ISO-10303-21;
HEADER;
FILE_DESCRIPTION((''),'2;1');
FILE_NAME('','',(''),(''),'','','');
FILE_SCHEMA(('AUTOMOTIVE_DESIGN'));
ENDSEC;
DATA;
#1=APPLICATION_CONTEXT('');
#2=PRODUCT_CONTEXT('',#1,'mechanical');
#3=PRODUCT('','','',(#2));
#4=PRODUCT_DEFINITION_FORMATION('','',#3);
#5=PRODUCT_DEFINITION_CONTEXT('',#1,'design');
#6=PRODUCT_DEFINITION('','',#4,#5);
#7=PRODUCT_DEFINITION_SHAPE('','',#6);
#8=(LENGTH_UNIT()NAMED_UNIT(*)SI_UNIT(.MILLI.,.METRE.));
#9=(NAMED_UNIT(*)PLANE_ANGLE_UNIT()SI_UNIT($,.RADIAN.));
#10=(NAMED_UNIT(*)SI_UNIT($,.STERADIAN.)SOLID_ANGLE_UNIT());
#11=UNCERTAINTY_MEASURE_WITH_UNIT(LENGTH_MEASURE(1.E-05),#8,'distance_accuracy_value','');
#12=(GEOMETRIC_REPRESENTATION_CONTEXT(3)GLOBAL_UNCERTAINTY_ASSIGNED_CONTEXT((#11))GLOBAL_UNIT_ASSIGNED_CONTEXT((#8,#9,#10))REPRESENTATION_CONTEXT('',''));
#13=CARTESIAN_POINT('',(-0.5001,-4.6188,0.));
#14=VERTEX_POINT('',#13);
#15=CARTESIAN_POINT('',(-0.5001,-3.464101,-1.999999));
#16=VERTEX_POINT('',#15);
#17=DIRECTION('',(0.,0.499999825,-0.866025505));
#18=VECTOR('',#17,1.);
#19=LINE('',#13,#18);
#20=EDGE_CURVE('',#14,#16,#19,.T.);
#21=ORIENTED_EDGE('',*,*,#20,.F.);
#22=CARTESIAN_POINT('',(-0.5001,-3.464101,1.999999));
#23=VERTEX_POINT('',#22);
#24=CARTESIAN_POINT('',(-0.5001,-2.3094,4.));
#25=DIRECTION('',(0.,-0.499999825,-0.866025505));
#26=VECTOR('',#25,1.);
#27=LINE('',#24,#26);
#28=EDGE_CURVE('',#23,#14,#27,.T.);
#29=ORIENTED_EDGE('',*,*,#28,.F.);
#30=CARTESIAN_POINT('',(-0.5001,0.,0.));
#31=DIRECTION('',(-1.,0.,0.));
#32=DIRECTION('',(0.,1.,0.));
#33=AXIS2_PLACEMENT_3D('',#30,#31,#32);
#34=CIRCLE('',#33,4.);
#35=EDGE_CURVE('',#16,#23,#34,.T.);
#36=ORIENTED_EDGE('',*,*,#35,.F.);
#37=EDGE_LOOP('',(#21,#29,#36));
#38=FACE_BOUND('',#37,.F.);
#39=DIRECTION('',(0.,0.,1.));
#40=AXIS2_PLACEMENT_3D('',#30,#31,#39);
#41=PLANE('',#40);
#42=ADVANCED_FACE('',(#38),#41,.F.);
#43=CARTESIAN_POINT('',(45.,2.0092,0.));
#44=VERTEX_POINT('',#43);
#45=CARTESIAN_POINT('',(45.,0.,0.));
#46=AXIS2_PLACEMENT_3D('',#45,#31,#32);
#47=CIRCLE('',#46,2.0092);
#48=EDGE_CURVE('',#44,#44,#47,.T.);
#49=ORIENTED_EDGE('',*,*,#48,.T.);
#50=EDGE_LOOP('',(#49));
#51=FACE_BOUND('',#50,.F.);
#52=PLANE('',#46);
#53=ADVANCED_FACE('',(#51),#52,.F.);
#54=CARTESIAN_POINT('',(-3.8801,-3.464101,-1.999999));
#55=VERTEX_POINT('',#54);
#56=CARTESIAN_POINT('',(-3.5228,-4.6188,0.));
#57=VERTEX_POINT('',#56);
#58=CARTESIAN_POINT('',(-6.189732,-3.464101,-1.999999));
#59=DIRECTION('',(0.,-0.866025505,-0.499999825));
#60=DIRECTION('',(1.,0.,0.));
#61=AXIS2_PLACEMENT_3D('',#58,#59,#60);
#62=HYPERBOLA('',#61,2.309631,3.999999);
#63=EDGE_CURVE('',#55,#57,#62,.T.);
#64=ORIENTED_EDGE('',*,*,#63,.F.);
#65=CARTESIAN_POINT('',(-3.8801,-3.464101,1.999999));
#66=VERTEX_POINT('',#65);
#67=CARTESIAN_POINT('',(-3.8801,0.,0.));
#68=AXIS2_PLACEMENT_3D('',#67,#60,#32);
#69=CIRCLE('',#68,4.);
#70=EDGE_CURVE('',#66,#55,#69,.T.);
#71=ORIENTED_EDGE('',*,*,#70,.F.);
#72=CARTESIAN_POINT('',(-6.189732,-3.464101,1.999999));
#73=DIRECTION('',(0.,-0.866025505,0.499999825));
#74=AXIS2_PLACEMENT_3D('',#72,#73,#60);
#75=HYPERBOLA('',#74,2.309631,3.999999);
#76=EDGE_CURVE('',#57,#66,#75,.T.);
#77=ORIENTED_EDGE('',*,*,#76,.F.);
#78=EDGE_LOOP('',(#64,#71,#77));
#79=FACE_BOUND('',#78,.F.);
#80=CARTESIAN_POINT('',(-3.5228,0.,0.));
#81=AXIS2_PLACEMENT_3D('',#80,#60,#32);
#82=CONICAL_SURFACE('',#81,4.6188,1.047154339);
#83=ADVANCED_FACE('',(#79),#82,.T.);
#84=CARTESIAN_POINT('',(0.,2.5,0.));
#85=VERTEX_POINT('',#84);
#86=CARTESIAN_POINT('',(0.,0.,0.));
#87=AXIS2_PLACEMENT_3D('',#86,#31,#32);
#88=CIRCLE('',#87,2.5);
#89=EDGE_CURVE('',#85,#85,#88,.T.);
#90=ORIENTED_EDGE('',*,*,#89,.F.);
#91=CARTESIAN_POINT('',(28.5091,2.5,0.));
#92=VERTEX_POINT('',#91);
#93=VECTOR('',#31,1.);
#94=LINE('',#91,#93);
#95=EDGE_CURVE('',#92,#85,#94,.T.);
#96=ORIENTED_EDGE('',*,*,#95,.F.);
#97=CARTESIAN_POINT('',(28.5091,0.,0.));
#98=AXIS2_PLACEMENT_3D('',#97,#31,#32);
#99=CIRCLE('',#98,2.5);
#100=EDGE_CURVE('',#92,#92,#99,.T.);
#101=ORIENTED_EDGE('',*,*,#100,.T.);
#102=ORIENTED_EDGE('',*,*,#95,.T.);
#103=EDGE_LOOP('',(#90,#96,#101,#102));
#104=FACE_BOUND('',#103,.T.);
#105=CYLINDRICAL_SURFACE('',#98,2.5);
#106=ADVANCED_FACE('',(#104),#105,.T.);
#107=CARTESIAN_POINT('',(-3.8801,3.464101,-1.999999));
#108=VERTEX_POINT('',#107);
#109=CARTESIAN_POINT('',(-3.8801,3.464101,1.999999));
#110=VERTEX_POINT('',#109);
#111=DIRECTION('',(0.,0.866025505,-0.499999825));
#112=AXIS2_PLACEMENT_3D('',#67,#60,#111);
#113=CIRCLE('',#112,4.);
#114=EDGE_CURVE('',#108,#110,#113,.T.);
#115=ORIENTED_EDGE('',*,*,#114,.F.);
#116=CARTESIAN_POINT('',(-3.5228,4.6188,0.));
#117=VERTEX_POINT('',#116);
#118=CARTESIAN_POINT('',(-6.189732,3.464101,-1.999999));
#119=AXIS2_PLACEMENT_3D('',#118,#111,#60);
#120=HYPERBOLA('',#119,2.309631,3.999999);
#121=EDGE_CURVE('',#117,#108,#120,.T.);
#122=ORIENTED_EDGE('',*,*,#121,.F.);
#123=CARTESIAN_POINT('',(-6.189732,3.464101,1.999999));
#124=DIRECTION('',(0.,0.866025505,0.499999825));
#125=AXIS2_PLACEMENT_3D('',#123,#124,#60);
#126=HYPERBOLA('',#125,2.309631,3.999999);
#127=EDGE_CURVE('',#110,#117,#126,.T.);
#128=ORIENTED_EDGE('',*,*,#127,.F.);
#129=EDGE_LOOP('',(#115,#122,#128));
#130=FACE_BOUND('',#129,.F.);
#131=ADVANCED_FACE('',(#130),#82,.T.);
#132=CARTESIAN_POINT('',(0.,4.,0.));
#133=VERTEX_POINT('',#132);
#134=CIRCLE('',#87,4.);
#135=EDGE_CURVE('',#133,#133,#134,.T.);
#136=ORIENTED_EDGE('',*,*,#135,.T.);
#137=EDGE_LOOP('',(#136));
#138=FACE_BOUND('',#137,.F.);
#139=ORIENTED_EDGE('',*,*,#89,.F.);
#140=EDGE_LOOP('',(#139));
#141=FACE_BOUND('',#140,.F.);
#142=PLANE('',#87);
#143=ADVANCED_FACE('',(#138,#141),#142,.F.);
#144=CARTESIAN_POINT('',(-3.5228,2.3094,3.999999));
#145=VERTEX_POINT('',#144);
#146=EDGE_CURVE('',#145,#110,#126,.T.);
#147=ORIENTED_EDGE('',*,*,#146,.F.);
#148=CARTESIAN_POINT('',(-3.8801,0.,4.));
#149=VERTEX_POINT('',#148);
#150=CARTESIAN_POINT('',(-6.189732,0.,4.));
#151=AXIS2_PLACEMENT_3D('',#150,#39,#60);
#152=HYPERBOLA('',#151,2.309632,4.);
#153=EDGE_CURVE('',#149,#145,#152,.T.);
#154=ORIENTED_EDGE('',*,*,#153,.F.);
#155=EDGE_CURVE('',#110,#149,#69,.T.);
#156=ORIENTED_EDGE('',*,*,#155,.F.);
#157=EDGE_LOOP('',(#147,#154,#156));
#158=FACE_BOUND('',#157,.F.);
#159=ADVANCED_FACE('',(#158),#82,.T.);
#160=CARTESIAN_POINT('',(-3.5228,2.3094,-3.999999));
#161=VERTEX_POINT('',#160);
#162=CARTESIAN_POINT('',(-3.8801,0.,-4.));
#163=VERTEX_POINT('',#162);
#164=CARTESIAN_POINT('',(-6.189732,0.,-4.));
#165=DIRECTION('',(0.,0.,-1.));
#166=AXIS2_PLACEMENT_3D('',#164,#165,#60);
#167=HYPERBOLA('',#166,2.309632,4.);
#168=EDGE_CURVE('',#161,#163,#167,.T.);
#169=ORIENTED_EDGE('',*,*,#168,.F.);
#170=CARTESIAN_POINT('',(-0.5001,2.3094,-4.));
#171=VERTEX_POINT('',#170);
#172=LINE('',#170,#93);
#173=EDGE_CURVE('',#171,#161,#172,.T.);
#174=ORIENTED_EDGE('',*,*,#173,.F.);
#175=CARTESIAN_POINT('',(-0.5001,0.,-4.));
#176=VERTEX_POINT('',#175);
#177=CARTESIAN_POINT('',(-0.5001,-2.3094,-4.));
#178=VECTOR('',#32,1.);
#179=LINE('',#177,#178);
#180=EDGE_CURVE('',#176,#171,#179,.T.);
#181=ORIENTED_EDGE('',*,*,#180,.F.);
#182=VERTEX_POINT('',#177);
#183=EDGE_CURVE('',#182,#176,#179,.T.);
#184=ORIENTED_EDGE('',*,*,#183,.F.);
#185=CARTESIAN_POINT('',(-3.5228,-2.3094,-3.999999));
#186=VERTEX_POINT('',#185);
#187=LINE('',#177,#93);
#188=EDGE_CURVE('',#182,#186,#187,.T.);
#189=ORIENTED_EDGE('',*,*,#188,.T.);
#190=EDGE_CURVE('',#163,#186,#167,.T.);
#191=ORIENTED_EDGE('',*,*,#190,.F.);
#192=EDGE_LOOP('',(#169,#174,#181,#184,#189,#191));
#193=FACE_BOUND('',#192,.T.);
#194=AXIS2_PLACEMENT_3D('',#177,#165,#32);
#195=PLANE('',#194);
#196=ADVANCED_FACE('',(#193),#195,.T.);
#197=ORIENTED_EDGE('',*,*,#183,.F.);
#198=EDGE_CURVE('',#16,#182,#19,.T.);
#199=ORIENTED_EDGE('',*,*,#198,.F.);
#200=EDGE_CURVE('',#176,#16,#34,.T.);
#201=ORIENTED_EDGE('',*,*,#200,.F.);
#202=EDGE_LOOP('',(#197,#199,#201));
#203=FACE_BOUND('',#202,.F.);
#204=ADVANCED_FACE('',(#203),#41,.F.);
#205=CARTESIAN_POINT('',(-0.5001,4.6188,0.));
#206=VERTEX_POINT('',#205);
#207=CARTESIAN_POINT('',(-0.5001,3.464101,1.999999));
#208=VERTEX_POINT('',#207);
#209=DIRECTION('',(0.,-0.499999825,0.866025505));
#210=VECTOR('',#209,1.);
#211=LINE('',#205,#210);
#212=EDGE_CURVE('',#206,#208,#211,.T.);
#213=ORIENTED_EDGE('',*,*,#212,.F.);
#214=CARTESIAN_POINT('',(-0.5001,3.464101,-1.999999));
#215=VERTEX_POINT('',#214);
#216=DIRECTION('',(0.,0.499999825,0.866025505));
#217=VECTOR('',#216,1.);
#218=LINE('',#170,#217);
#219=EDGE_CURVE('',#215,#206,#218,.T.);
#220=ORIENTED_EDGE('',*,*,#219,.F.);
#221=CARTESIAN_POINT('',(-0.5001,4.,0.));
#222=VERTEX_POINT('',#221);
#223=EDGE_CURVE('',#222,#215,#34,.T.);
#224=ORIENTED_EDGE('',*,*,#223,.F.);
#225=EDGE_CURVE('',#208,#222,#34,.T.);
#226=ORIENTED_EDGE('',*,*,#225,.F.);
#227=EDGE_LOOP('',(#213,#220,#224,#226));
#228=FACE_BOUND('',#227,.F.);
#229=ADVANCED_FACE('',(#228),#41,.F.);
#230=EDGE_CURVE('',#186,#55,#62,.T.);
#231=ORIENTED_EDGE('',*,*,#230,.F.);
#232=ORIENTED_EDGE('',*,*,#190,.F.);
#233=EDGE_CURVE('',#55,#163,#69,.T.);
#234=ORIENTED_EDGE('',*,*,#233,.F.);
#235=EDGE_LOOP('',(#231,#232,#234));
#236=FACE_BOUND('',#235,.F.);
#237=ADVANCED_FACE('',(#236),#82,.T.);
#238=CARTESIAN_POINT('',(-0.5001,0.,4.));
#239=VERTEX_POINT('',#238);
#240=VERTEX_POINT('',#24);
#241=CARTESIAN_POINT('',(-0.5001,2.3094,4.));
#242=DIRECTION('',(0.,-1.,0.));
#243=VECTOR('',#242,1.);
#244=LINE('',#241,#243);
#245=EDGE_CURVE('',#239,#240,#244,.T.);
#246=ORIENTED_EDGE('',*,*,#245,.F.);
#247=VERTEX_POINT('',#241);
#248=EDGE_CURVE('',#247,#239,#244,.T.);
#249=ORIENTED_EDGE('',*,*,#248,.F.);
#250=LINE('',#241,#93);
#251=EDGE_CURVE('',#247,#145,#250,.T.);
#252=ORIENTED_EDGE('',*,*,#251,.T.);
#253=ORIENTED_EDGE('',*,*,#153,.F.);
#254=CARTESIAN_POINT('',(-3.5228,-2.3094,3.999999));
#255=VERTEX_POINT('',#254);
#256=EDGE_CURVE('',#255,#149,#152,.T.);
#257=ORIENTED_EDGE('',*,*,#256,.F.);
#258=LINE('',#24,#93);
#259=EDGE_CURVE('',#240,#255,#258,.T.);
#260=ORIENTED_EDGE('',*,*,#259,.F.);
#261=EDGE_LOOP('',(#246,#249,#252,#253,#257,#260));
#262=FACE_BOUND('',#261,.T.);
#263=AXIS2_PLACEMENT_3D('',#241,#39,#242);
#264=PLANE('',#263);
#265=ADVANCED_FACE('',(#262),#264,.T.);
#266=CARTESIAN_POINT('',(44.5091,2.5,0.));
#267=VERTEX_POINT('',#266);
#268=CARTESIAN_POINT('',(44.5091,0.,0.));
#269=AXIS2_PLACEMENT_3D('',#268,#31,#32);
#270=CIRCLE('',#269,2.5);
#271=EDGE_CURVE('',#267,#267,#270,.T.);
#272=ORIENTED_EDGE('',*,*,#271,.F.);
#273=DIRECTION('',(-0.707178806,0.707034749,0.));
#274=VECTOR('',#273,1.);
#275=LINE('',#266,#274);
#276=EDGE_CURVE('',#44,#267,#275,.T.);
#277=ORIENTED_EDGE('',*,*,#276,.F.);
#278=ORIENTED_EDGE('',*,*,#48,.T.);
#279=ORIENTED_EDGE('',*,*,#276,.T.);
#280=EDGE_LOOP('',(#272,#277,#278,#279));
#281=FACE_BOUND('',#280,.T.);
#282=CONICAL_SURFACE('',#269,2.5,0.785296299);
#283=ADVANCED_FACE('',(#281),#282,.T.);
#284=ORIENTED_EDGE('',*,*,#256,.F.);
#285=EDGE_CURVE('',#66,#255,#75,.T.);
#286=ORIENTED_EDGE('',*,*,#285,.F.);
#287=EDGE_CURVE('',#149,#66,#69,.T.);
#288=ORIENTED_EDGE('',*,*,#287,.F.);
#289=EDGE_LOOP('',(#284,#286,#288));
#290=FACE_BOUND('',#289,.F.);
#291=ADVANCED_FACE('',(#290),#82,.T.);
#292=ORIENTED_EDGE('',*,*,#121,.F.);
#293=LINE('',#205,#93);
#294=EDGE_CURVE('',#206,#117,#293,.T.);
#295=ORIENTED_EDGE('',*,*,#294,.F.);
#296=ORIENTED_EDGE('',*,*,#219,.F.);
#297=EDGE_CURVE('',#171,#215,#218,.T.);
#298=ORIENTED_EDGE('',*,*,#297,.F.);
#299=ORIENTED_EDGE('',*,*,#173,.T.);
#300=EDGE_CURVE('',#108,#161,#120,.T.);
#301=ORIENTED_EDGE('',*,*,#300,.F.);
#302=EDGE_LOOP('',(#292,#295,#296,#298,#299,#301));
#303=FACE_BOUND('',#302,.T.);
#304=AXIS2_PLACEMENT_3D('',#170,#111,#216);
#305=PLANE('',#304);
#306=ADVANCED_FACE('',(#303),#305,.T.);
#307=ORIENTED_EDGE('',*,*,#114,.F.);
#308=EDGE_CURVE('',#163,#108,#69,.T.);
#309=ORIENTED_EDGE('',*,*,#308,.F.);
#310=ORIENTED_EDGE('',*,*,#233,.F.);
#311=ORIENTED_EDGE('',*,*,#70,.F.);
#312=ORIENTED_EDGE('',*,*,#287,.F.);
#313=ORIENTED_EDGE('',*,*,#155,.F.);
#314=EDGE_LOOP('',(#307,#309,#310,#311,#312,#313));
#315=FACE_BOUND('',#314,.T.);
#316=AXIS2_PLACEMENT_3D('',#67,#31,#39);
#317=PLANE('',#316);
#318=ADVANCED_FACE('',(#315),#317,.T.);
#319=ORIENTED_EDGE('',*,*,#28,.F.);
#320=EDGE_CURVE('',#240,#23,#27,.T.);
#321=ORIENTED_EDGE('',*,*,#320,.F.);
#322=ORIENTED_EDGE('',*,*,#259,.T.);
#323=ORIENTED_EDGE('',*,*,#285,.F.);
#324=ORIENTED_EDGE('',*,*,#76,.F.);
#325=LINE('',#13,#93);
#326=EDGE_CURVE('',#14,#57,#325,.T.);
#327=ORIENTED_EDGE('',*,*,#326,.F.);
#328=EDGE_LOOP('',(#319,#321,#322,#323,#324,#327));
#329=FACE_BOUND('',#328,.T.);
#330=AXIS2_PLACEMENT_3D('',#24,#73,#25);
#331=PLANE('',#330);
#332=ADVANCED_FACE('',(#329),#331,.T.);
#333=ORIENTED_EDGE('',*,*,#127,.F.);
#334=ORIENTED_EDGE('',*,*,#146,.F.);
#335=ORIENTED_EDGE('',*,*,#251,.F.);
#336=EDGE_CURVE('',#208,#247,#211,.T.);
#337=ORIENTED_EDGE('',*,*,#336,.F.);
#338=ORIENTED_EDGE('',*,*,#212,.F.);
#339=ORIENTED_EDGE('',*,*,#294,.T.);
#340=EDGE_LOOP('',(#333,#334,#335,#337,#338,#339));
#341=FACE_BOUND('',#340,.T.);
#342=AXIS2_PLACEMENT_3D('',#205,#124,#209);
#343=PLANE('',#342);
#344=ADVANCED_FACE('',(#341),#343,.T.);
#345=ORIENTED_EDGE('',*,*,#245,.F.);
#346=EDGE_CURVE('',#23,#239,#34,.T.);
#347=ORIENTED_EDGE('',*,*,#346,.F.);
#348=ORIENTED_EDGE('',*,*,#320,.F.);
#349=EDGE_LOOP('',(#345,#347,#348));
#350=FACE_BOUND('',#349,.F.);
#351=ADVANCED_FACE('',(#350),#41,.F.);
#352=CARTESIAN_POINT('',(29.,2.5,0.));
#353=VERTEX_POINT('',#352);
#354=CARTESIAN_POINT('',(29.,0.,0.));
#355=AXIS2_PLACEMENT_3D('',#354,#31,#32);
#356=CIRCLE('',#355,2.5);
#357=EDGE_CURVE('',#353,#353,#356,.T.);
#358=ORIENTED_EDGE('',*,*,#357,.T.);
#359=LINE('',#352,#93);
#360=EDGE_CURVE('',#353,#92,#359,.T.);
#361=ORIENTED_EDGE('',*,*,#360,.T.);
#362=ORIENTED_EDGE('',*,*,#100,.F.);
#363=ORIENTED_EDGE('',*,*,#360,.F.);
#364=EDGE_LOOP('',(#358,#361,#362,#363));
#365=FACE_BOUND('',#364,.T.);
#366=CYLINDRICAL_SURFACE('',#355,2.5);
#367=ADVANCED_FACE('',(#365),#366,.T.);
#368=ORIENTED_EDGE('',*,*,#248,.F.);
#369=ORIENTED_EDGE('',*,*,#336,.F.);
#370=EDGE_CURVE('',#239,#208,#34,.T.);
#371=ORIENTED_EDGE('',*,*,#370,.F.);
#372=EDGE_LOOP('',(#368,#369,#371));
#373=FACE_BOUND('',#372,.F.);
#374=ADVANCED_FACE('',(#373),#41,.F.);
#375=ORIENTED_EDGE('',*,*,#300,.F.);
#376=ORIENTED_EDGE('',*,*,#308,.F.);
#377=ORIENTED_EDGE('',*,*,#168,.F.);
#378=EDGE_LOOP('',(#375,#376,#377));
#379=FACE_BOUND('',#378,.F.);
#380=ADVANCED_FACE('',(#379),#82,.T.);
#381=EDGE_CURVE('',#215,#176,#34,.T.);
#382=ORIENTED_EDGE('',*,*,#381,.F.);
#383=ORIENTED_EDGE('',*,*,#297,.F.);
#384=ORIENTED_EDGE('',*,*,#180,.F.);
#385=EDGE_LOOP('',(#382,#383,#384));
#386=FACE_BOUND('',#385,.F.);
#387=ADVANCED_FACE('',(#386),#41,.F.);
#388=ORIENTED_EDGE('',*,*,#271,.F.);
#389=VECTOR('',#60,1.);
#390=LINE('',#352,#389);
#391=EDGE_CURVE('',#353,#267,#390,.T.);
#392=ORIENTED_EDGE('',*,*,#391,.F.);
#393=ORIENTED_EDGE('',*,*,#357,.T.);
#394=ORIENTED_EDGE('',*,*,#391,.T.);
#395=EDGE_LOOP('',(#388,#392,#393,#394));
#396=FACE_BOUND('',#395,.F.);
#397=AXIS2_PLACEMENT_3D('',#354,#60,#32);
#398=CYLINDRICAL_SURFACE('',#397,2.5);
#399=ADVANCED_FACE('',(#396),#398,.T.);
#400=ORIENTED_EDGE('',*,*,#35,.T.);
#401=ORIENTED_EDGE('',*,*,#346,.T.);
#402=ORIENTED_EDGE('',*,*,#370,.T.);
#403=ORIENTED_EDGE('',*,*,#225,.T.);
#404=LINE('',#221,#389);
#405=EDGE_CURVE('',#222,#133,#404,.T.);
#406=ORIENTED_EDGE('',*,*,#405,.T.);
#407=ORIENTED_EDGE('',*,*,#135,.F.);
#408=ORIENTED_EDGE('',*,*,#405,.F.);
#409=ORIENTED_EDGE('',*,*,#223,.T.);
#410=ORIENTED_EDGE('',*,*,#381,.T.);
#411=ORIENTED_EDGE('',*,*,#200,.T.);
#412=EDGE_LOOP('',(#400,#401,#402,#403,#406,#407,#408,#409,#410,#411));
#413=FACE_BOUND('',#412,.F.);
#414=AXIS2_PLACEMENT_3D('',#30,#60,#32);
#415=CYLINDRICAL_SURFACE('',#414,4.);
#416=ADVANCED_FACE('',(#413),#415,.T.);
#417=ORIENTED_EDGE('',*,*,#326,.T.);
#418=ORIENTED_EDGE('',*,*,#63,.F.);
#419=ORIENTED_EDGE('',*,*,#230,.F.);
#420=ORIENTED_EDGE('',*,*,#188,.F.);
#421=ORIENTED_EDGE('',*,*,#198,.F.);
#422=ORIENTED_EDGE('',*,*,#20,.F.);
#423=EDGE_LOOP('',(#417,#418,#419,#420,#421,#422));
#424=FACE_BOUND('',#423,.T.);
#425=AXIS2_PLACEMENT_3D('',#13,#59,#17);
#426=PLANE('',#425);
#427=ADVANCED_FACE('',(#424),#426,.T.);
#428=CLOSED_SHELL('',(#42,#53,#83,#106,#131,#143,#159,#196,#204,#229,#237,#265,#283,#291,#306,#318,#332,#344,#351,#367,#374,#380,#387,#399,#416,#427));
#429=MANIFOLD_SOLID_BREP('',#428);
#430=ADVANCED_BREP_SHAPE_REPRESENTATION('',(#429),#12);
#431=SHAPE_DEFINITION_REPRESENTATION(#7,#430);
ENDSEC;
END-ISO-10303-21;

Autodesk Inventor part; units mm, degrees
ref_plane "YZ Plane" through (0, 0, 0) normal (1, 0, 0) x (0, 1, 0)
ref_plane "XZ Plane" through (0, 0, 0) normal (0, 1, 0) x (-1, 0, 0)
sketch "Sketch1" plane through (0, 0, 0) normal (0, 0, 1) x (1, 0, 0)
  line L0 (0, 4) -> (0, 2.5)
  line L1 (29, 2.5) -> (45, 2.5)
  line L2 (45, 2.5) -> (45, 0)
  line L3 (45, 0) -> (-0.5001, 0)
  line L4 (-9.6001, 0) -> (54.1, 0) projected
  line L5 (-0.5001, 0) -> (-0.5001, 4)
  line L6 (-0.5001, 4) -> (0, 4)
  line L7 (29, 2.5) -> (28.5091, 2.5)
  line L8 (28.5091, 2.5) -> (0, 2.5)
  line L9 (0, -0.8) -> (0, 4.8) projected
  dimension "d0" = 45
  dimension "d1" = 16
  dimension "d2" = 5
  dimension "d9" = 0.5001
  dimension "d10" = 8
  dimension "d13" = 0.4909
  dimension "d14" = 5
revolve "Body" add sketch "Sketch1" angle 360 about axis through (45, 0, 0) along (-1, 0, 0)
sketch "Sketch2" plane through (-0.5001, 0, 0) normal (-1, 0, 0) x (0, 0, 1)
  line L0 (0, 4.6188) -> (4, 2.3094)
  line L1 (4, 2.3094) -> (4, -2.3094)
  line L2 (4, -2.3094) -> (0, -4.6188)
  line L3 (0, -4.6188) -> (-4, -2.3094)
  line L4 (-4, -2.3094) -> (-4, 2.3094)
  line L5 (-4, 2.3094) -> (0, 4.6188)
  point P0 (0, 0)
  point P1 (0, 0)
  dimension "d11" = 8
extrude "Head" add sketch "Sketch2" along normal blind 3.38
sketch "Sketch4" plane through (0, 0, 0) normal (0, 0, 1) x (1, 0, 0)
  line L0 (-3.8801, 4) -> (-3.8801, 4.6188)
  line L1 (-3.8801, 4.6188) -> (-3.5228, 4.6188)
  line L2 (-3.5228, 4.6188) -> (-3.8801, 4)
  line L3 (-4.5561, 0) -> (0.1759, 0) projected
  line L4 (-0.5001, 4.6188) -> (-3.8801, 4.6188) projected
  line L5 (-3.8801, 2.3094) -> (-3.8801, 4.6188) projected
  dimension "d5" = 30
  dimension "d19" = 8
revolve "Chamfer1" cut sketch "Sketch4" angle 360 about axis through (-10, 0, 0) along (1, 0, 0)
thread "Thread" size "M5x0.8" class "6g" standard "ISO Metric profile" length 16
chamfer "Chamfer2" distance 0.4908 distance2 0.4909 1 edges at (45, -2.5, 0) measured on face at (45, -0.6238, 0.819)
ref_plane "Work Plane1" through (1.525, 0, 0) normal (0, 0, 1) x (1, 0, 0)
equation "\"d0\" = NLG"
equation "\"d1\" = GEL"
equation "\"d2\" = GD"
equation "\"d10\" = SD2"
equation "\"d14\" = BDM"
equation "\"d11\" = SW"
equation "\"d3\" = KOH - SD"
equation "\"d5\" = ANG1"
equation "\"d19\" = SW0"
equation "\"d15\" = GEL"
equation "\"d6\" = -0.5 * SPD + 0.5 * GD"
equation "\"NLG\" = 45"
equation "\"GD\" = NND"
equation "\"BDM\" = NND"
equation "\"KOH\" = 3.88"
equation "\"GEL\" = 16"
equation "\"SW\" = 8"
equation "\"SW0\" = SW"
equation "\"SPD\" = NND - 1.2269 * PTC"
equation "\"SD2\" = SW"
equation "\"SD\" = 0.5"
equation "\"ANG1\" = 30deg"
equation "\"GAL\" = 0.61345 * PTC"
equation "\"GUL\" = 0.61345 * PTC"
equation "\"RR\" = 0.2"
equation "\"WFT\" = SD"
equation "\"GD1\" = THREADDIA - 1.2269 * PTC"
equation "\"THREADDIA\" = 5"
equation "\"SDH\" = SW"
equation "\"TOA\" = 30deg"
equation "\"FAWI\" = 45deg"
equation "\"PTC\" = 0.8"
equation "\"NND\" = 5"
equation "\"E0\" = 1.155 * SW"
properties part number "AS 1111 - M5 x 45" material "Steel, Mild"
